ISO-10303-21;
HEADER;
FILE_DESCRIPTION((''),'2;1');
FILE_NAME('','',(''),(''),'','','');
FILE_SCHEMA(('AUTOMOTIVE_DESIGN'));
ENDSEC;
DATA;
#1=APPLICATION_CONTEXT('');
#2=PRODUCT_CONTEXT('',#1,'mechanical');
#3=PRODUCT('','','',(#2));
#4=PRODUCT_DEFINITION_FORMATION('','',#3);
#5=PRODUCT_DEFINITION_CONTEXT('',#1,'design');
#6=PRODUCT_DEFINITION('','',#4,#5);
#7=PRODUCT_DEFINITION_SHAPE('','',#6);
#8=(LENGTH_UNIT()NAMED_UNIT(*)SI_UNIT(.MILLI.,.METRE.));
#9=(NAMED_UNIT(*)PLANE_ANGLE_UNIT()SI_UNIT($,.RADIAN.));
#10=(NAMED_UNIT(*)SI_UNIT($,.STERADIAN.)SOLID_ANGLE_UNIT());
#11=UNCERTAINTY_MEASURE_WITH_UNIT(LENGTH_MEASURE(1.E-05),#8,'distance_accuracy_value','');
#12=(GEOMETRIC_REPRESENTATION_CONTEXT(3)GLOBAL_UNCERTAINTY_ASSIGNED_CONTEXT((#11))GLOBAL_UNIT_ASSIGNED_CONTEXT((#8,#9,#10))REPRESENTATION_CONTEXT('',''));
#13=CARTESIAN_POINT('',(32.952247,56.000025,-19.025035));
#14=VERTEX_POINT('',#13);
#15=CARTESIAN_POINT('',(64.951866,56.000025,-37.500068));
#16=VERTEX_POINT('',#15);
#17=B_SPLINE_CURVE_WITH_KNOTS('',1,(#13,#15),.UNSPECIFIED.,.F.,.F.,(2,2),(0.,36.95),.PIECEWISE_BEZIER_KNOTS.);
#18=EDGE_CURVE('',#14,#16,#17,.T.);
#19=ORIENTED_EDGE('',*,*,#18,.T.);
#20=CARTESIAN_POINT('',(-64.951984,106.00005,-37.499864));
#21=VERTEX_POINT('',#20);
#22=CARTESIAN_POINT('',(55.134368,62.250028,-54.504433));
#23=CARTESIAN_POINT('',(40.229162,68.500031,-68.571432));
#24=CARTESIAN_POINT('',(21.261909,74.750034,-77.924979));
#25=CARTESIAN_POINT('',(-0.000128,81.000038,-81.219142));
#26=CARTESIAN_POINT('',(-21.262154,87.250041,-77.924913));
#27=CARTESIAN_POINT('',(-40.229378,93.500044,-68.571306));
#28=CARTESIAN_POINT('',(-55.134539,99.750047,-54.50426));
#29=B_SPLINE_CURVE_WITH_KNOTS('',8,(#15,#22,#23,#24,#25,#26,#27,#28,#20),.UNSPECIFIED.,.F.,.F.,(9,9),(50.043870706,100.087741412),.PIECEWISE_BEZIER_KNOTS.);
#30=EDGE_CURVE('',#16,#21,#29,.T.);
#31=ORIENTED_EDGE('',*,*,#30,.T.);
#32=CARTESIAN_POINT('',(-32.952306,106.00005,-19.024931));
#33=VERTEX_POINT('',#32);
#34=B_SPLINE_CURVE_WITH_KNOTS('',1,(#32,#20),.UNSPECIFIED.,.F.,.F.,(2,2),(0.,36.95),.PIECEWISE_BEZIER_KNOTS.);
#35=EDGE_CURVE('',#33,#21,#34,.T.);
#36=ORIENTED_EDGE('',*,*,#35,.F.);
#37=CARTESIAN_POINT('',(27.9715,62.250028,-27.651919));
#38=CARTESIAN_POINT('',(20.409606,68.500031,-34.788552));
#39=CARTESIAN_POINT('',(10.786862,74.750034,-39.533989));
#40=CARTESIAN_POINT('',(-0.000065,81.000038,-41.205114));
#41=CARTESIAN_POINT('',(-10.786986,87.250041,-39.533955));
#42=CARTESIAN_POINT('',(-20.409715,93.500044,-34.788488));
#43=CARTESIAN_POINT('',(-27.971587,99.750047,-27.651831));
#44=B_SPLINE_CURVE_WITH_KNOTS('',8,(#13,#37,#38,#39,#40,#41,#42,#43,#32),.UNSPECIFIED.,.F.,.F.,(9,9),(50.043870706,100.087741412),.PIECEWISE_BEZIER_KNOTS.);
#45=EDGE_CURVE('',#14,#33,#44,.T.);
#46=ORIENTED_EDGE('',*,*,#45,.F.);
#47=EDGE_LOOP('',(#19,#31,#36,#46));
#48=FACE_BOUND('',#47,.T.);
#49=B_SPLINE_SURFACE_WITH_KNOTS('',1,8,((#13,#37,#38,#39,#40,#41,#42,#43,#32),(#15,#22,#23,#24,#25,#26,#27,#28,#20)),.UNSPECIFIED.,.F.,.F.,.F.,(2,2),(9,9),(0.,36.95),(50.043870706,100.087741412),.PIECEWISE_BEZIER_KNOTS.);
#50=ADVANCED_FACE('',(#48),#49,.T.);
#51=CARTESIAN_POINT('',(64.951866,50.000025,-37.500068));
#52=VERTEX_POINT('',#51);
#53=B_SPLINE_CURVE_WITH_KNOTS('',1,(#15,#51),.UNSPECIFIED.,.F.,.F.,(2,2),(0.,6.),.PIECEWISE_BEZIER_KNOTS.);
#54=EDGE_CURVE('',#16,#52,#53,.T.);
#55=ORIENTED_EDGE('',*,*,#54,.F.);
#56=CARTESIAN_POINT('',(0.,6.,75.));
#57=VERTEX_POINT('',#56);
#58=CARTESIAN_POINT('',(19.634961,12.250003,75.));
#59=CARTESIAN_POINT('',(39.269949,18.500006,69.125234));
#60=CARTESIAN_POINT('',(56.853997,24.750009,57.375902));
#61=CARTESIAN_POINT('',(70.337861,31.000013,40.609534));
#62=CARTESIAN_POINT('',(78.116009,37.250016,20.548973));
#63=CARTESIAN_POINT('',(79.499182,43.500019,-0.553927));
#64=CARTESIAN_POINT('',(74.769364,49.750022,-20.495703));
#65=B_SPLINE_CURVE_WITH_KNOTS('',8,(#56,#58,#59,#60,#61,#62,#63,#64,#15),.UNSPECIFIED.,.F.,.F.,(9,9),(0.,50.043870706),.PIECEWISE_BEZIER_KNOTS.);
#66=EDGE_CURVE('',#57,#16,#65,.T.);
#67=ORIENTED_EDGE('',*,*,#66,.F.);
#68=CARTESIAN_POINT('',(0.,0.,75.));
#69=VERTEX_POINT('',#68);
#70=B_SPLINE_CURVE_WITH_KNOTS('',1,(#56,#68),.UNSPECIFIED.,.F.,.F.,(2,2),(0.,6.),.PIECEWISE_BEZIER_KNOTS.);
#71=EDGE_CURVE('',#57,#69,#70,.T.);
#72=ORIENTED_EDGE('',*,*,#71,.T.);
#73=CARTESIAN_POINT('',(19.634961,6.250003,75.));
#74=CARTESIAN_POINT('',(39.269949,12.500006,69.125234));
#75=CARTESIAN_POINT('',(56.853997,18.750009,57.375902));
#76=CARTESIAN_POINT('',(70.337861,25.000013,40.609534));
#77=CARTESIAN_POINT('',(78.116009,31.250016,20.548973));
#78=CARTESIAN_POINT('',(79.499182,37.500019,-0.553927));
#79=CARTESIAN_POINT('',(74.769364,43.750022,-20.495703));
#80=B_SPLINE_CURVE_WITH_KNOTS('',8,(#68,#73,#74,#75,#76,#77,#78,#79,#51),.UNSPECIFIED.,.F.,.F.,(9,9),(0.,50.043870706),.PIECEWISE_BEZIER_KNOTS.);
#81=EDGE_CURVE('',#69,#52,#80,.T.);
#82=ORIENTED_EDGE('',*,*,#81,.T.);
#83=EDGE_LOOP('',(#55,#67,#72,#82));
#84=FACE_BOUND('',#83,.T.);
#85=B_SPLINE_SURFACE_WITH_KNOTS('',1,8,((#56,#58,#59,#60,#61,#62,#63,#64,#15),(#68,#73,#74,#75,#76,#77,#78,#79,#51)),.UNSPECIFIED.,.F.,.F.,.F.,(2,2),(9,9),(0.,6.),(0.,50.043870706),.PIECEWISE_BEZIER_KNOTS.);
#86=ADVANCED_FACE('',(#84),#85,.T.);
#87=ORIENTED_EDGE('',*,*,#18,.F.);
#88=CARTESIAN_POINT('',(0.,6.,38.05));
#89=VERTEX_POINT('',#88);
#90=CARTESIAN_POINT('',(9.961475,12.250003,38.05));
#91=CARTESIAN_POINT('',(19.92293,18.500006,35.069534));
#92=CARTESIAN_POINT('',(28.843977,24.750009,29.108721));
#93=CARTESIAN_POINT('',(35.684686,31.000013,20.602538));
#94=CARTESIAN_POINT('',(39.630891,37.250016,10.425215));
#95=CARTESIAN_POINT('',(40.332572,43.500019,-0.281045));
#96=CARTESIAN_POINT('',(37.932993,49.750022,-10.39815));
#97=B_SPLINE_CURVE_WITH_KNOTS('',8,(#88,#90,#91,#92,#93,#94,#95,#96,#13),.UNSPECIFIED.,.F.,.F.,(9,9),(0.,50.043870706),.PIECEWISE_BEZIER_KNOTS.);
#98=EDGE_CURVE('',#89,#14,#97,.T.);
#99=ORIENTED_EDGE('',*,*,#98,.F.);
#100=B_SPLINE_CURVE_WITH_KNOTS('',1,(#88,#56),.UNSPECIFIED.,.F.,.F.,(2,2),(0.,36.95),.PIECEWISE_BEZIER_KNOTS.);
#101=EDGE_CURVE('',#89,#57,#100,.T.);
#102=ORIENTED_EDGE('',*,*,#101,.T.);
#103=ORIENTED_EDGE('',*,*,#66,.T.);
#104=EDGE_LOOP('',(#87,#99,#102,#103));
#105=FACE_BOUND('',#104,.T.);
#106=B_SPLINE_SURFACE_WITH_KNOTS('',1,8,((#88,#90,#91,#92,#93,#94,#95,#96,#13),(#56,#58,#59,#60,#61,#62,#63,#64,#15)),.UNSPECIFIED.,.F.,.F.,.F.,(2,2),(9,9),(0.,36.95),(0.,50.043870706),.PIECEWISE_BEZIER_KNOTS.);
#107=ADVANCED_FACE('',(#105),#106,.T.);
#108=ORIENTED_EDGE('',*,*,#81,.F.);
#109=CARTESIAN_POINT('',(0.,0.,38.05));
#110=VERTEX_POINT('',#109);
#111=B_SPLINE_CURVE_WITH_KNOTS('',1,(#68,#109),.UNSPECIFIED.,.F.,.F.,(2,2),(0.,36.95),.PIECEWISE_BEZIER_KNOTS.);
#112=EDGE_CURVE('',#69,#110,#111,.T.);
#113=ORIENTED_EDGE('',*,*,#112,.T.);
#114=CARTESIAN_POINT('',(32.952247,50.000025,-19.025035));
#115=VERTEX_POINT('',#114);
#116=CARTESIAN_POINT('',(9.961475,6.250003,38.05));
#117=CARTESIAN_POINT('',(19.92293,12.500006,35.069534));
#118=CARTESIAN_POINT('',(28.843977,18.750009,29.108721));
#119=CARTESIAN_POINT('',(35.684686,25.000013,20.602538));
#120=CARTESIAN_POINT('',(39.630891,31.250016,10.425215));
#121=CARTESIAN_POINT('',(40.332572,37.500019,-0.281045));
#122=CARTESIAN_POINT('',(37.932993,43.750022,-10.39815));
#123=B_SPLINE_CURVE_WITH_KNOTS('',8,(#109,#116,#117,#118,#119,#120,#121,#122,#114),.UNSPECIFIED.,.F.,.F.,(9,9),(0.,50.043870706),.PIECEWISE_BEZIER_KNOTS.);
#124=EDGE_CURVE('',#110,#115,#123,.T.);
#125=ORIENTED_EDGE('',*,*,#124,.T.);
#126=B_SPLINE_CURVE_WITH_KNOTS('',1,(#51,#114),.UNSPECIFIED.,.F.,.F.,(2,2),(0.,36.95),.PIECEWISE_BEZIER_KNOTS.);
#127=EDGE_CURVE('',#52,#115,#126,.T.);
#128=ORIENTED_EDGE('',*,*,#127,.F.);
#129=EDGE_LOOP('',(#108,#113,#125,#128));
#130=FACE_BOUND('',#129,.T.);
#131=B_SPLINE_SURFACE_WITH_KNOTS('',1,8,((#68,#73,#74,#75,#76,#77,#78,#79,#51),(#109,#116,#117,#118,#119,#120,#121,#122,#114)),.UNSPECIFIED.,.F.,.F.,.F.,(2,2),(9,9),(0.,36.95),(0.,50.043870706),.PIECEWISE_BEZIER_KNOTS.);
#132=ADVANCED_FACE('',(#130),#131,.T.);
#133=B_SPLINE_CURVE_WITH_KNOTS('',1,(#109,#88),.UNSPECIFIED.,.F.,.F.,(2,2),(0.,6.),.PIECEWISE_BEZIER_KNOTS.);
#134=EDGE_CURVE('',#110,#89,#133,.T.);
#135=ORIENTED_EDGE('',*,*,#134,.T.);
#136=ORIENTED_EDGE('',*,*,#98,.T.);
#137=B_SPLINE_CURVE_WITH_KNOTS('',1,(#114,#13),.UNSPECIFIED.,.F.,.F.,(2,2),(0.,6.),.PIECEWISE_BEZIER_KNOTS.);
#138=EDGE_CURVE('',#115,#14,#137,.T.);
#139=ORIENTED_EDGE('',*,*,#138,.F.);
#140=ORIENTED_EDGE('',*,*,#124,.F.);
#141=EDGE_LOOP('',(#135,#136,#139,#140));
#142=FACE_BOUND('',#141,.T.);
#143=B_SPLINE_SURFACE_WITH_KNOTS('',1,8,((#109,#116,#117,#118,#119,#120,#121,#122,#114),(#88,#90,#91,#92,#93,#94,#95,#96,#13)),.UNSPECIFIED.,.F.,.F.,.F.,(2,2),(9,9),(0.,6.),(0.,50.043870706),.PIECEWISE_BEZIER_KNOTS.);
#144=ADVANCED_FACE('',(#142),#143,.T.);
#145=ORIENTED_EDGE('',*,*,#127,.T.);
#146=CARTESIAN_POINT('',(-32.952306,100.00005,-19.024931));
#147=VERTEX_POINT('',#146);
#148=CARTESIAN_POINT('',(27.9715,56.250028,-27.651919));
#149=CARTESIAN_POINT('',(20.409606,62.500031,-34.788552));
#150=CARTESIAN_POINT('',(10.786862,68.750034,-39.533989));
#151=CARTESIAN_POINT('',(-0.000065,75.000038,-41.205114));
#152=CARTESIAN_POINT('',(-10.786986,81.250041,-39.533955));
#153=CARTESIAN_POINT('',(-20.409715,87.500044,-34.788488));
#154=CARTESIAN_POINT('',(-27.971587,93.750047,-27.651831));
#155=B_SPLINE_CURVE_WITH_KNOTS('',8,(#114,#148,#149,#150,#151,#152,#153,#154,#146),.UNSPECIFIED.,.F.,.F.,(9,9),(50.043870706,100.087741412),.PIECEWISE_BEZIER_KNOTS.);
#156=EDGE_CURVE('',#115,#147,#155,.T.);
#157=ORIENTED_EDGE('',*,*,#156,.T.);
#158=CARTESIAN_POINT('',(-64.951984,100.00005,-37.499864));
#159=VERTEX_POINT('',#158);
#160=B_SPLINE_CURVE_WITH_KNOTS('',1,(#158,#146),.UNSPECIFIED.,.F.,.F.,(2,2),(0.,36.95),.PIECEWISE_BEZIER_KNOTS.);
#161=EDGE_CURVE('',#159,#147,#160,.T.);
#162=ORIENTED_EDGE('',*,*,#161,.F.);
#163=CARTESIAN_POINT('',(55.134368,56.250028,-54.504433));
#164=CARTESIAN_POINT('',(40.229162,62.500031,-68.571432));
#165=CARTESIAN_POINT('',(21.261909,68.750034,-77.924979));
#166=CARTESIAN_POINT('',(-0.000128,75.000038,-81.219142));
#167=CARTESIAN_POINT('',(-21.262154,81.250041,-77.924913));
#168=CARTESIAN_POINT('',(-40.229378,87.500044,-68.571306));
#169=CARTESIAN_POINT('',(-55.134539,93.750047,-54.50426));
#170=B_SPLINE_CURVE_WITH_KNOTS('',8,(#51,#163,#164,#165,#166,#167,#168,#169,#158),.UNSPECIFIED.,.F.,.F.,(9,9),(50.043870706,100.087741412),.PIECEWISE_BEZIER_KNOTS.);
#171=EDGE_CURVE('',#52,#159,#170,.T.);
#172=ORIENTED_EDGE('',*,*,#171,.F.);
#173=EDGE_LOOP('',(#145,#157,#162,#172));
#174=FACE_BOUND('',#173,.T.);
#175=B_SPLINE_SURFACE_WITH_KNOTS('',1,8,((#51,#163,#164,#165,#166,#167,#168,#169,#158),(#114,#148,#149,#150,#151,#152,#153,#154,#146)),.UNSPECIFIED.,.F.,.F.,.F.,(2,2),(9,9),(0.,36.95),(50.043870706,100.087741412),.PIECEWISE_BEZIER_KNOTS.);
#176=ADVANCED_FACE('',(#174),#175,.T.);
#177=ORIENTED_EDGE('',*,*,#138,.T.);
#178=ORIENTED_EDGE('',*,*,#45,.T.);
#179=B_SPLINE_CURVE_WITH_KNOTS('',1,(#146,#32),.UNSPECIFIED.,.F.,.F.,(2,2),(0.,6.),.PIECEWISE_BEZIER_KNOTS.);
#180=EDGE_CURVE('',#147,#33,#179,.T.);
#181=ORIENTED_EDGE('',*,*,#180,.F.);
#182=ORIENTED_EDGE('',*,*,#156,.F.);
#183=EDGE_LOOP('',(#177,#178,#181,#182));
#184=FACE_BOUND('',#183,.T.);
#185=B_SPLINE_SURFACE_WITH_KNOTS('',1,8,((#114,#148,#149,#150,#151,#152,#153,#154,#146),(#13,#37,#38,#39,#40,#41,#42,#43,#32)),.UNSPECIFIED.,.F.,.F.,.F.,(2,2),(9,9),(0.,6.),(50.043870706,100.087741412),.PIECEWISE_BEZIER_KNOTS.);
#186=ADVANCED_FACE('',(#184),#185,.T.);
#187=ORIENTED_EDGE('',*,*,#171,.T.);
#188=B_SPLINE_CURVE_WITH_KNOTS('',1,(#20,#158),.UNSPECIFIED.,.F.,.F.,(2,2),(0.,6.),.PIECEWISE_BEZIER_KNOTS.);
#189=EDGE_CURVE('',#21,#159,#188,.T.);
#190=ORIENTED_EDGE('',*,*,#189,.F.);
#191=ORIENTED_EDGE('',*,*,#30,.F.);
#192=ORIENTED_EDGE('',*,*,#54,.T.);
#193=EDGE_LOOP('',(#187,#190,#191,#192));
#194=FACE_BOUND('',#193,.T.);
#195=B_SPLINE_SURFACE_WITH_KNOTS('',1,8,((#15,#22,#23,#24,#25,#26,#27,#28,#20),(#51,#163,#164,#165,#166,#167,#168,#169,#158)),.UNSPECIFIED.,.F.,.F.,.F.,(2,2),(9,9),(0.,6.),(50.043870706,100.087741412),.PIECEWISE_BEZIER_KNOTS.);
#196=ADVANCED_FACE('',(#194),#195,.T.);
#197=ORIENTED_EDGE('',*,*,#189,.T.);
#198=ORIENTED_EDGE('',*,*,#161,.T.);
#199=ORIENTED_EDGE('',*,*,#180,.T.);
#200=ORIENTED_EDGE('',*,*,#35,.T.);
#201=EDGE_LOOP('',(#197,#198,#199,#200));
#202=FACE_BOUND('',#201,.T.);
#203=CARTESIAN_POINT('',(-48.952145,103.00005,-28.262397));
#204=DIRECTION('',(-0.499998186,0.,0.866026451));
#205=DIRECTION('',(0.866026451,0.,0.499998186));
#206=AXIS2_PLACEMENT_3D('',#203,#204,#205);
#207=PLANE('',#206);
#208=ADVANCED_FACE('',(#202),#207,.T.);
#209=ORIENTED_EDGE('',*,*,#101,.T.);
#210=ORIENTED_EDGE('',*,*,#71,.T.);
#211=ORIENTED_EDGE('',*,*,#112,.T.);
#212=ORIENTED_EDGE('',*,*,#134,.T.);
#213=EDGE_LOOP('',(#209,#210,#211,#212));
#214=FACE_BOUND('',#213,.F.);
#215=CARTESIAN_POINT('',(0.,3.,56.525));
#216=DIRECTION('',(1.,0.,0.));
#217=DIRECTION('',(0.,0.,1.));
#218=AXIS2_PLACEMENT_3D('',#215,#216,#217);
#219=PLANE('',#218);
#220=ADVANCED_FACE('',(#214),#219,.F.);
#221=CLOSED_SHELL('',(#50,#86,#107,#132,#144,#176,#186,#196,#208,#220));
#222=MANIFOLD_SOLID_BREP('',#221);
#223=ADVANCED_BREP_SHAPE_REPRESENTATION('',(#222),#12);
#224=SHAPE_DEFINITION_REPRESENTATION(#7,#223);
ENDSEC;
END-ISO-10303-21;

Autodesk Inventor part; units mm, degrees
ref_plane "YZ Plane" through (0, 0, 0) normal (1, 0, 0) x (0, 1, 0)
ref_plane "XY Plane" through (0, 0, 0) normal (0, 0, 1) x (1, 0, 0)
sketch "Sketch1" plane through (0, 0, 0) normal (0, 1, 0) x (-1, 0, 0)
  circle A0 centre (0, 0) radius 38.05 construction
  line L0 (0, 0) -> (0, 38.05) construction
  dimension "d0" = 76.1
ref_plane "Work Plane1" through (0, 6, 0) normal (0, 1, 0) x (-1, 0, 0)
sketch "Sketch2" plane through (0, 6, 0) normal (0, 1, 0) x (-1, 0, 0)
  circle A0 centre (0, 0) radius 75 construction
  line L0 (0, 0) -> (0, 75) construction
  dimension "d2" = 150
sketch "Sketch3" plane through (0, 0, 0) normal (1, 0, 0) x (0, 1, 0)
  line L0 (0, 38.05) -> (6, 38.05)
  line L1 (6, 38.05) -> (6, 75)
  line L2 (6, 75) -> (0, 75)
  line L3 (0, 75) -> (0, 38.05)
  line L4 (0, 0) -> (150, 0) construction
  line L5 (0, 0) -> (0, 38.05)
  line L6 (6, 75) -> (6, 0) construction
  dimension "d3" = 150
  dimension "d12" = 38.05
  dimension "d13" = 75
  dimension "d14" = 6
coil "Coil1" sketch "Sketch3" operation add axis through (0, 0, 0) along (0, 1, 0) pitch 150 turns 0.666667 hand right
equation "\"d0\" = ø_Int_Espira_01"
equation "\"d2\" = ø_Ext_Espira_01"
equation "\"d12\" = 0.5 * ø_Int_Espira_01"
equation "\"d13\" = 0.5 * ø_Ext_Espira_01"
equation "\"d14\" = Espesor_Espira_01"
equation "\"d6\" = Ang_parcial"
equation "\"ø_Ext_Espira_01\" = 150"
equation "\"ø_Int_Espira_01\" = 76.1"
equation "\"Espesor_Espira_01\" = 6"
equation "\"d1\" = Espesor_Espira_01"
equation "\"L_parcial\" = 276.66667"
equation "\"Ang_parcial\" = 0.666667"
properties part number "Espira_01_Parcial"
